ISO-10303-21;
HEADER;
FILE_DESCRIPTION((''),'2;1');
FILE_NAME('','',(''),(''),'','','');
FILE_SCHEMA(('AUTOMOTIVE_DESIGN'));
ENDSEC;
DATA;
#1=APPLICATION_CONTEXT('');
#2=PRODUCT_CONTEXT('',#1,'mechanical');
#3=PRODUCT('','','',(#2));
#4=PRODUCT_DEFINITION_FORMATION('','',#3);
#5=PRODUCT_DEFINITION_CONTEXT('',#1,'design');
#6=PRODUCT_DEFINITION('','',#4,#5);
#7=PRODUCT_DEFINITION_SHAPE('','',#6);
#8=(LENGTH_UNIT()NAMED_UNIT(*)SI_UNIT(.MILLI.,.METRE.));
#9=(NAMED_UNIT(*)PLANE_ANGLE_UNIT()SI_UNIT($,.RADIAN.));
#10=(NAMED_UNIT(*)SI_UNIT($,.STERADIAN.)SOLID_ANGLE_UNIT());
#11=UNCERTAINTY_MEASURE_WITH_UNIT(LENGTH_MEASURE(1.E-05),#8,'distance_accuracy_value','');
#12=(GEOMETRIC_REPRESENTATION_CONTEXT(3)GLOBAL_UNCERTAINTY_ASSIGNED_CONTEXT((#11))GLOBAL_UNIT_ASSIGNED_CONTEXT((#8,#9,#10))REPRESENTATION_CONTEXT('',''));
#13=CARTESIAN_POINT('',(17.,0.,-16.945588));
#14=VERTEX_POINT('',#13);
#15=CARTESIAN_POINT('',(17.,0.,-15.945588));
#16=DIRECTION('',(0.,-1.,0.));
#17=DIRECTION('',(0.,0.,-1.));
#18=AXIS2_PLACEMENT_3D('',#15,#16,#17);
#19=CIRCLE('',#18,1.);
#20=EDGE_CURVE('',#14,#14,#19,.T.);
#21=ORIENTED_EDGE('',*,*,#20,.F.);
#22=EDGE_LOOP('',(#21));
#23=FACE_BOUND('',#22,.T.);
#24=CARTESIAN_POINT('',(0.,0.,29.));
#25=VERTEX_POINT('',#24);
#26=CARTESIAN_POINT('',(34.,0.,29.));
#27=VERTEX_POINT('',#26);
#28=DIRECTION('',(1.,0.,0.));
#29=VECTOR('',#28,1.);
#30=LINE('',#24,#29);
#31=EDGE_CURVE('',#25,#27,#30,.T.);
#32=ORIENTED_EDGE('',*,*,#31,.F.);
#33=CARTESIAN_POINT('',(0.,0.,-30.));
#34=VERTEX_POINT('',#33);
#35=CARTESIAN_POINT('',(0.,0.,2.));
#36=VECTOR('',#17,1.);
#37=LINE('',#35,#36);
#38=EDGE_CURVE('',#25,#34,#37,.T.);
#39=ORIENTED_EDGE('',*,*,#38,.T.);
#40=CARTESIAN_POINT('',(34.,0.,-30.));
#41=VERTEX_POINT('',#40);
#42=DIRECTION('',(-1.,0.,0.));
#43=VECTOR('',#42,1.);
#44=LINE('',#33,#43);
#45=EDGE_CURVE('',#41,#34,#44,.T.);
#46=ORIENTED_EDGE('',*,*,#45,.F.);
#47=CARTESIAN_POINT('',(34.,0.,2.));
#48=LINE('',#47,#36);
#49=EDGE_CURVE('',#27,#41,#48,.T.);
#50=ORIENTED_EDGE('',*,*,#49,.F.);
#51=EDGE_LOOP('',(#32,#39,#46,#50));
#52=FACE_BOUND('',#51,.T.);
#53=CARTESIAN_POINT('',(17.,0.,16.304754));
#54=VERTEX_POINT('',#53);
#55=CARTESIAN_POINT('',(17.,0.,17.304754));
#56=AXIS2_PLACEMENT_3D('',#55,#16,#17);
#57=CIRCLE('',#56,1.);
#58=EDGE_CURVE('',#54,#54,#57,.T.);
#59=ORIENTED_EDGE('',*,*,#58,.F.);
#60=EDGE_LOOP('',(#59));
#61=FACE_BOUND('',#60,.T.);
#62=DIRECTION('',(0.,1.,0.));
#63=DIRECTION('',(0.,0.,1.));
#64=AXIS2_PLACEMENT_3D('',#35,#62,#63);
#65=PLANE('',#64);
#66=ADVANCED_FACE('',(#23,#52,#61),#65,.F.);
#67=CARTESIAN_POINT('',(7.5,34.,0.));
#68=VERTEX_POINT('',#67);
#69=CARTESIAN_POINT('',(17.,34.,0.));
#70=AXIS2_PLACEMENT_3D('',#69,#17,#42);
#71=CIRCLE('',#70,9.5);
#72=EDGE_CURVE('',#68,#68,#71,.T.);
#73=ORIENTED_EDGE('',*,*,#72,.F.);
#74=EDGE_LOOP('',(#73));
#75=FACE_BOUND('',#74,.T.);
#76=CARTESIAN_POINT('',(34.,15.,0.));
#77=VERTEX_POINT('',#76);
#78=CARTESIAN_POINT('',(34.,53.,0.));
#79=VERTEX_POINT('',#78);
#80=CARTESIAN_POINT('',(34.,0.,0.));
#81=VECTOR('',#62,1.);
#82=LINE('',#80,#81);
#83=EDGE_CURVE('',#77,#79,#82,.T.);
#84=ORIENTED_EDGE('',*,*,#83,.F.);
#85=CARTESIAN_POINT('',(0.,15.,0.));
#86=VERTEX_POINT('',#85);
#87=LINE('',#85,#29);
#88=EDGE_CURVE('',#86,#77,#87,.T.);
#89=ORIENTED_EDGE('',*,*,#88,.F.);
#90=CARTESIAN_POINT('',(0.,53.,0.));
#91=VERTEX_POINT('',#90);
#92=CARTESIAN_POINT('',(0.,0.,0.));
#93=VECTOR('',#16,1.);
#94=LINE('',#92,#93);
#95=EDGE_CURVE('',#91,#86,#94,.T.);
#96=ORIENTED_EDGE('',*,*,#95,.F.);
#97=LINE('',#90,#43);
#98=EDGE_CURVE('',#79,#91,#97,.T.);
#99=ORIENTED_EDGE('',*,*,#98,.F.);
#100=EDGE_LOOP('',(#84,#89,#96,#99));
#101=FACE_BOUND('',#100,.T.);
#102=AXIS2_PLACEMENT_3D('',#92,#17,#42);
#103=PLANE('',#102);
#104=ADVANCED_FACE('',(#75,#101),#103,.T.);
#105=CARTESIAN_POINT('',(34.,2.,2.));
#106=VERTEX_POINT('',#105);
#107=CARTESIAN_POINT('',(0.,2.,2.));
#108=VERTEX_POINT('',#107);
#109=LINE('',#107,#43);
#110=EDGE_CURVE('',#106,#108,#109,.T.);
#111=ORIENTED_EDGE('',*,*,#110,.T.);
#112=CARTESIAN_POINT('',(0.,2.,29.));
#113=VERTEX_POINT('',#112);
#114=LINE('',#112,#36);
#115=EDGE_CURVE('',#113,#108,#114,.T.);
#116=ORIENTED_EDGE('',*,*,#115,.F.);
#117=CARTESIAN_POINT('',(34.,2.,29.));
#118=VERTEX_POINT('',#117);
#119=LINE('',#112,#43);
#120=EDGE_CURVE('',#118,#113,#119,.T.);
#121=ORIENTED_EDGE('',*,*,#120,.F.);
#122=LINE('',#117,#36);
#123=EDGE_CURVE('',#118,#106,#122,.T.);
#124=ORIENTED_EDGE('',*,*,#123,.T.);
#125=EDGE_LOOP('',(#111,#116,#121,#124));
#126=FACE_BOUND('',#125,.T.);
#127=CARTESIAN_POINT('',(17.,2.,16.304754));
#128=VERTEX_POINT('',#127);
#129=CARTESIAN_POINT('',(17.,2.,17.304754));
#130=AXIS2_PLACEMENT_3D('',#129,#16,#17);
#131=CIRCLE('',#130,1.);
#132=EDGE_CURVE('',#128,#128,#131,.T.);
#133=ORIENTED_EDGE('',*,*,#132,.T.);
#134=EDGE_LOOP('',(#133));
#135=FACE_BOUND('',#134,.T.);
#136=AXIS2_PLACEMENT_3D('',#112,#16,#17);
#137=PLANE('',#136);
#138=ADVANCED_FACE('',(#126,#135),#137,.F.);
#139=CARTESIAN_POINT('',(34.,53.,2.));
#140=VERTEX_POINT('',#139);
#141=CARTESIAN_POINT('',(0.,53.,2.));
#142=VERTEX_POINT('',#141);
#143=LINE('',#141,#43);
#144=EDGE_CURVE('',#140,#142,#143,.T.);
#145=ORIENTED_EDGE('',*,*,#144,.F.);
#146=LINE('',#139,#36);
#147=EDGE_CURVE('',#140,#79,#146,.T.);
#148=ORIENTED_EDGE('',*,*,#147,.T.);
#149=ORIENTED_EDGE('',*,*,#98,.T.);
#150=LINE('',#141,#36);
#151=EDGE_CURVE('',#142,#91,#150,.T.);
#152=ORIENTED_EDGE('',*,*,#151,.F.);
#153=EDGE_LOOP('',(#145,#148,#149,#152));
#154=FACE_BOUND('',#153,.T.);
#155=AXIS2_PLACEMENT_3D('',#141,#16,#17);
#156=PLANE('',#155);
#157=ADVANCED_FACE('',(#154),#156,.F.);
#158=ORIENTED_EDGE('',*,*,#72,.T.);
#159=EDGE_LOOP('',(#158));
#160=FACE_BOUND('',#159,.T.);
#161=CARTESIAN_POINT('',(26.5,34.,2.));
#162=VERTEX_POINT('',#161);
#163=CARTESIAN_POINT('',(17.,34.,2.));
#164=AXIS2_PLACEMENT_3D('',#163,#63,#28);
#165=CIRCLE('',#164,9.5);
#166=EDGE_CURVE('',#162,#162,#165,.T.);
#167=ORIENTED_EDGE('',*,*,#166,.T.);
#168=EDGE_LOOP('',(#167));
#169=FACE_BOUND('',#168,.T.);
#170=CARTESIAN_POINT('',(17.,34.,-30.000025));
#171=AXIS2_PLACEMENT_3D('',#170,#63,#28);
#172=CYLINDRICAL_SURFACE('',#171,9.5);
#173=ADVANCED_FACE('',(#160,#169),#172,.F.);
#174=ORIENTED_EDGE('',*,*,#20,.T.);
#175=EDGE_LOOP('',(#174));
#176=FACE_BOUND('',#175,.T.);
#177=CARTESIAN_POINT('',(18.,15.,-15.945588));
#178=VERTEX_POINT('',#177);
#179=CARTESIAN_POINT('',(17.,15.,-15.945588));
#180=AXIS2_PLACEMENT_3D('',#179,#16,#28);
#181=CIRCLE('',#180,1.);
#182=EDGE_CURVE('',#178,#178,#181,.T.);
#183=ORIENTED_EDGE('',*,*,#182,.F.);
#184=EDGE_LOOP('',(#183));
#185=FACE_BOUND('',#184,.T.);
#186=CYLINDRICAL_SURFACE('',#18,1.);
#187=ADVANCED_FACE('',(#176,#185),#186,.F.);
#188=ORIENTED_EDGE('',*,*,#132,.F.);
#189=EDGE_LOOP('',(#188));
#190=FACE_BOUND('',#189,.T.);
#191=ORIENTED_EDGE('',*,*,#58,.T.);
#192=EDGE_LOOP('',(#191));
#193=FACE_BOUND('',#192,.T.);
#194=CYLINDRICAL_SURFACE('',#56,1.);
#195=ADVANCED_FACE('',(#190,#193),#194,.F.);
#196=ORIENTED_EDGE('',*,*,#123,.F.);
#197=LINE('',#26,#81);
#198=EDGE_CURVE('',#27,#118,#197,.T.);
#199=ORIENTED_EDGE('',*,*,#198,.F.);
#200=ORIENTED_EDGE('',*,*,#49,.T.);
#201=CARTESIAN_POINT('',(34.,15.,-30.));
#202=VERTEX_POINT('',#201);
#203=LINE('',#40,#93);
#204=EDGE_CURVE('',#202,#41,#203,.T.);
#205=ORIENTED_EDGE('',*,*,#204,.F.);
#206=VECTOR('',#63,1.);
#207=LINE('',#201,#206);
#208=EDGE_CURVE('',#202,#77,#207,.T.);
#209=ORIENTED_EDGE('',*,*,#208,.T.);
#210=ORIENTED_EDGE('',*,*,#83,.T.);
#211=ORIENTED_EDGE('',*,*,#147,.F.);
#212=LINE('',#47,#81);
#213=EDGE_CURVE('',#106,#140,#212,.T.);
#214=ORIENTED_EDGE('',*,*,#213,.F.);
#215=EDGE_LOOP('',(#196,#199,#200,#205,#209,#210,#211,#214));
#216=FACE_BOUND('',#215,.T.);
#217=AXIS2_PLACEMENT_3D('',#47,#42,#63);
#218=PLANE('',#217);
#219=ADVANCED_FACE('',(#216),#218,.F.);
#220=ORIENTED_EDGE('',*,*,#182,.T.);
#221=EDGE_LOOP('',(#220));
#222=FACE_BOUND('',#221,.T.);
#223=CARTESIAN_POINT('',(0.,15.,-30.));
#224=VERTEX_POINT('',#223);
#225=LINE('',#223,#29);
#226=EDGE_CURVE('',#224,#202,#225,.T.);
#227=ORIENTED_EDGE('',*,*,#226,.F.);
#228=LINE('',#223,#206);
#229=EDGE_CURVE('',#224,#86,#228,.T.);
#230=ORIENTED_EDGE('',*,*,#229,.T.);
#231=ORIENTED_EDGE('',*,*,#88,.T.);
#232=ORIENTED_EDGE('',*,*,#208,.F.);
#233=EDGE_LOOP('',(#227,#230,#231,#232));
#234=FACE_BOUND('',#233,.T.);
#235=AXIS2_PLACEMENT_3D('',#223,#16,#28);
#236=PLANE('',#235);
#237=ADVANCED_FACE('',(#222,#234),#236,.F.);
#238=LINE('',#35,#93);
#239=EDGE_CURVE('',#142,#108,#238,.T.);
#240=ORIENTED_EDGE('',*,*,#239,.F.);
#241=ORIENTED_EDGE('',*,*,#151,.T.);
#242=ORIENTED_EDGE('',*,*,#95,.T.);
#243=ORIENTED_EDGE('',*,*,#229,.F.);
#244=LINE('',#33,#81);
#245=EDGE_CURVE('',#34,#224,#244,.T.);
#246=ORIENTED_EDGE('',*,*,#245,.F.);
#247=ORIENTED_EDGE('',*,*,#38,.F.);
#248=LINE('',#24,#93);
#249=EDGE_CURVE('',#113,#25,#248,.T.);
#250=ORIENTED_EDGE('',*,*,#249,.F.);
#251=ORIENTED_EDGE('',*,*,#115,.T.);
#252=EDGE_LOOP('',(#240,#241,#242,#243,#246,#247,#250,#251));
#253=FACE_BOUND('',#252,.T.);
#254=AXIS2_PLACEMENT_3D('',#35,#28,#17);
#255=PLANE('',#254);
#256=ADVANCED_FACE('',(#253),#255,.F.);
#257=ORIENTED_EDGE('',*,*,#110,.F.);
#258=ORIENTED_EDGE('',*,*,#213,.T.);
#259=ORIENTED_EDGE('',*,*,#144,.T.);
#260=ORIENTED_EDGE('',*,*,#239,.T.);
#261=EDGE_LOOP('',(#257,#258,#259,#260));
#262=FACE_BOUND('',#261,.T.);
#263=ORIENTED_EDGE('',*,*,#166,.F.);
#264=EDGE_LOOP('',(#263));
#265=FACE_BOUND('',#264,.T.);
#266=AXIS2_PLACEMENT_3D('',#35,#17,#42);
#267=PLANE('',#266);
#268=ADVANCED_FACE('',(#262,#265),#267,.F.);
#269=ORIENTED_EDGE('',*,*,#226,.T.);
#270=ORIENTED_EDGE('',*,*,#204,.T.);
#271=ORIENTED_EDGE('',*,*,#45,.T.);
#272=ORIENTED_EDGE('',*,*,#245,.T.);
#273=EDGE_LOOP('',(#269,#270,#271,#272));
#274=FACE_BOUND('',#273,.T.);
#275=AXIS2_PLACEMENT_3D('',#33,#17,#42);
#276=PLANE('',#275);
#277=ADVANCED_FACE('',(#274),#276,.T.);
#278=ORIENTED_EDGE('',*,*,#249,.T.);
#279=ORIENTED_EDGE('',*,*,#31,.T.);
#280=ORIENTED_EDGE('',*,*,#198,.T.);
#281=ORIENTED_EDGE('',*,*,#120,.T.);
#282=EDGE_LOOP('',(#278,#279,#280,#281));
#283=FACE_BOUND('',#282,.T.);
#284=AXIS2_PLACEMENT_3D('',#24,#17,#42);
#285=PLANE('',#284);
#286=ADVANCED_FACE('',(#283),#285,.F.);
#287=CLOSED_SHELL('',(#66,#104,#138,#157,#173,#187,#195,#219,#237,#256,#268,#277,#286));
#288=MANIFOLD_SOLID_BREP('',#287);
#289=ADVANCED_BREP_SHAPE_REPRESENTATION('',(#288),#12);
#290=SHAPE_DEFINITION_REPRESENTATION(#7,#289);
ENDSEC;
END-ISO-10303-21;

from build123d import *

# Parameters (mm, degrees)
SKETCH1_W                    = 34
SKETCH1_H                    = 53
BOSS_EXTRUDE1_DEPTH          = 2
SKETCH2_W                    = 34
SKETCH2_H                    = 2
BOSS_EXTRUDE2_DEPTH          = 27
SKETCH3_W                    = 34
SKETCH3_H                    = 15
BOSS_EXTRUDE3_DEPTH          = 30
SKETCH4_R                    = 9.5
CUT_EXTRUDE1_DEPTH           = 71.632853546
F_94_0_0071_DIAMETER_HOLE1_D = 2.000000064


with BuildPart() as part:
    # Sketch1 → Boss-Extrude1 (new body)
    with BuildSketch(Plane.XY):
        with Locations((17, 26.5)):
            Rectangle(SKETCH1_W, SKETCH1_H)
    extrude(amount=BOSS_EXTRUDE1_DEPTH)

    # Sketch2 → Boss-Extrude2 (add)
    with BuildSketch(Plane.XY.offset(2)):
        with Locations((17, 1)):
            Rectangle(SKETCH2_W, SKETCH2_H)
    extrude(amount=BOSS_EXTRUDE2_DEPTH)

    # Sketch3 → Boss-Extrude3 (add)
    with BuildSketch(Plane(origin=(0, 0, 0), x_dir=(-1, 0, 0), z_dir=(0, 0, -1))):
        with Locations((-17, 7.5)):
            Rectangle(SKETCH3_W, SKETCH3_H)
    extrude(amount=BOSS_EXTRUDE3_DEPTH)

    # Sketch4 → Cut-Extrude1 (cut, through all)
    with BuildSketch(Plane.XY.offset(2)):
        with Locations((17, 34)):
            Circle(SKETCH4_R)
    extrude(amount=-CUT_EXTRUDE1_DEPTH, mode=Mode.SUBTRACT)

    # #94 (0.0071) Diameter Hole1 (through all)
    with Locations(Plane(origin=(0, 0, 0), x_dir=(-1, 0, 0), z_dir=(0, -1, 0))):
        with Locations((-17, -17.304753764), (-17, 15.945587516)):
            Hole(F_94_0_0071_DIAMETER_HOLE1_D / 2)


solid = part.part
